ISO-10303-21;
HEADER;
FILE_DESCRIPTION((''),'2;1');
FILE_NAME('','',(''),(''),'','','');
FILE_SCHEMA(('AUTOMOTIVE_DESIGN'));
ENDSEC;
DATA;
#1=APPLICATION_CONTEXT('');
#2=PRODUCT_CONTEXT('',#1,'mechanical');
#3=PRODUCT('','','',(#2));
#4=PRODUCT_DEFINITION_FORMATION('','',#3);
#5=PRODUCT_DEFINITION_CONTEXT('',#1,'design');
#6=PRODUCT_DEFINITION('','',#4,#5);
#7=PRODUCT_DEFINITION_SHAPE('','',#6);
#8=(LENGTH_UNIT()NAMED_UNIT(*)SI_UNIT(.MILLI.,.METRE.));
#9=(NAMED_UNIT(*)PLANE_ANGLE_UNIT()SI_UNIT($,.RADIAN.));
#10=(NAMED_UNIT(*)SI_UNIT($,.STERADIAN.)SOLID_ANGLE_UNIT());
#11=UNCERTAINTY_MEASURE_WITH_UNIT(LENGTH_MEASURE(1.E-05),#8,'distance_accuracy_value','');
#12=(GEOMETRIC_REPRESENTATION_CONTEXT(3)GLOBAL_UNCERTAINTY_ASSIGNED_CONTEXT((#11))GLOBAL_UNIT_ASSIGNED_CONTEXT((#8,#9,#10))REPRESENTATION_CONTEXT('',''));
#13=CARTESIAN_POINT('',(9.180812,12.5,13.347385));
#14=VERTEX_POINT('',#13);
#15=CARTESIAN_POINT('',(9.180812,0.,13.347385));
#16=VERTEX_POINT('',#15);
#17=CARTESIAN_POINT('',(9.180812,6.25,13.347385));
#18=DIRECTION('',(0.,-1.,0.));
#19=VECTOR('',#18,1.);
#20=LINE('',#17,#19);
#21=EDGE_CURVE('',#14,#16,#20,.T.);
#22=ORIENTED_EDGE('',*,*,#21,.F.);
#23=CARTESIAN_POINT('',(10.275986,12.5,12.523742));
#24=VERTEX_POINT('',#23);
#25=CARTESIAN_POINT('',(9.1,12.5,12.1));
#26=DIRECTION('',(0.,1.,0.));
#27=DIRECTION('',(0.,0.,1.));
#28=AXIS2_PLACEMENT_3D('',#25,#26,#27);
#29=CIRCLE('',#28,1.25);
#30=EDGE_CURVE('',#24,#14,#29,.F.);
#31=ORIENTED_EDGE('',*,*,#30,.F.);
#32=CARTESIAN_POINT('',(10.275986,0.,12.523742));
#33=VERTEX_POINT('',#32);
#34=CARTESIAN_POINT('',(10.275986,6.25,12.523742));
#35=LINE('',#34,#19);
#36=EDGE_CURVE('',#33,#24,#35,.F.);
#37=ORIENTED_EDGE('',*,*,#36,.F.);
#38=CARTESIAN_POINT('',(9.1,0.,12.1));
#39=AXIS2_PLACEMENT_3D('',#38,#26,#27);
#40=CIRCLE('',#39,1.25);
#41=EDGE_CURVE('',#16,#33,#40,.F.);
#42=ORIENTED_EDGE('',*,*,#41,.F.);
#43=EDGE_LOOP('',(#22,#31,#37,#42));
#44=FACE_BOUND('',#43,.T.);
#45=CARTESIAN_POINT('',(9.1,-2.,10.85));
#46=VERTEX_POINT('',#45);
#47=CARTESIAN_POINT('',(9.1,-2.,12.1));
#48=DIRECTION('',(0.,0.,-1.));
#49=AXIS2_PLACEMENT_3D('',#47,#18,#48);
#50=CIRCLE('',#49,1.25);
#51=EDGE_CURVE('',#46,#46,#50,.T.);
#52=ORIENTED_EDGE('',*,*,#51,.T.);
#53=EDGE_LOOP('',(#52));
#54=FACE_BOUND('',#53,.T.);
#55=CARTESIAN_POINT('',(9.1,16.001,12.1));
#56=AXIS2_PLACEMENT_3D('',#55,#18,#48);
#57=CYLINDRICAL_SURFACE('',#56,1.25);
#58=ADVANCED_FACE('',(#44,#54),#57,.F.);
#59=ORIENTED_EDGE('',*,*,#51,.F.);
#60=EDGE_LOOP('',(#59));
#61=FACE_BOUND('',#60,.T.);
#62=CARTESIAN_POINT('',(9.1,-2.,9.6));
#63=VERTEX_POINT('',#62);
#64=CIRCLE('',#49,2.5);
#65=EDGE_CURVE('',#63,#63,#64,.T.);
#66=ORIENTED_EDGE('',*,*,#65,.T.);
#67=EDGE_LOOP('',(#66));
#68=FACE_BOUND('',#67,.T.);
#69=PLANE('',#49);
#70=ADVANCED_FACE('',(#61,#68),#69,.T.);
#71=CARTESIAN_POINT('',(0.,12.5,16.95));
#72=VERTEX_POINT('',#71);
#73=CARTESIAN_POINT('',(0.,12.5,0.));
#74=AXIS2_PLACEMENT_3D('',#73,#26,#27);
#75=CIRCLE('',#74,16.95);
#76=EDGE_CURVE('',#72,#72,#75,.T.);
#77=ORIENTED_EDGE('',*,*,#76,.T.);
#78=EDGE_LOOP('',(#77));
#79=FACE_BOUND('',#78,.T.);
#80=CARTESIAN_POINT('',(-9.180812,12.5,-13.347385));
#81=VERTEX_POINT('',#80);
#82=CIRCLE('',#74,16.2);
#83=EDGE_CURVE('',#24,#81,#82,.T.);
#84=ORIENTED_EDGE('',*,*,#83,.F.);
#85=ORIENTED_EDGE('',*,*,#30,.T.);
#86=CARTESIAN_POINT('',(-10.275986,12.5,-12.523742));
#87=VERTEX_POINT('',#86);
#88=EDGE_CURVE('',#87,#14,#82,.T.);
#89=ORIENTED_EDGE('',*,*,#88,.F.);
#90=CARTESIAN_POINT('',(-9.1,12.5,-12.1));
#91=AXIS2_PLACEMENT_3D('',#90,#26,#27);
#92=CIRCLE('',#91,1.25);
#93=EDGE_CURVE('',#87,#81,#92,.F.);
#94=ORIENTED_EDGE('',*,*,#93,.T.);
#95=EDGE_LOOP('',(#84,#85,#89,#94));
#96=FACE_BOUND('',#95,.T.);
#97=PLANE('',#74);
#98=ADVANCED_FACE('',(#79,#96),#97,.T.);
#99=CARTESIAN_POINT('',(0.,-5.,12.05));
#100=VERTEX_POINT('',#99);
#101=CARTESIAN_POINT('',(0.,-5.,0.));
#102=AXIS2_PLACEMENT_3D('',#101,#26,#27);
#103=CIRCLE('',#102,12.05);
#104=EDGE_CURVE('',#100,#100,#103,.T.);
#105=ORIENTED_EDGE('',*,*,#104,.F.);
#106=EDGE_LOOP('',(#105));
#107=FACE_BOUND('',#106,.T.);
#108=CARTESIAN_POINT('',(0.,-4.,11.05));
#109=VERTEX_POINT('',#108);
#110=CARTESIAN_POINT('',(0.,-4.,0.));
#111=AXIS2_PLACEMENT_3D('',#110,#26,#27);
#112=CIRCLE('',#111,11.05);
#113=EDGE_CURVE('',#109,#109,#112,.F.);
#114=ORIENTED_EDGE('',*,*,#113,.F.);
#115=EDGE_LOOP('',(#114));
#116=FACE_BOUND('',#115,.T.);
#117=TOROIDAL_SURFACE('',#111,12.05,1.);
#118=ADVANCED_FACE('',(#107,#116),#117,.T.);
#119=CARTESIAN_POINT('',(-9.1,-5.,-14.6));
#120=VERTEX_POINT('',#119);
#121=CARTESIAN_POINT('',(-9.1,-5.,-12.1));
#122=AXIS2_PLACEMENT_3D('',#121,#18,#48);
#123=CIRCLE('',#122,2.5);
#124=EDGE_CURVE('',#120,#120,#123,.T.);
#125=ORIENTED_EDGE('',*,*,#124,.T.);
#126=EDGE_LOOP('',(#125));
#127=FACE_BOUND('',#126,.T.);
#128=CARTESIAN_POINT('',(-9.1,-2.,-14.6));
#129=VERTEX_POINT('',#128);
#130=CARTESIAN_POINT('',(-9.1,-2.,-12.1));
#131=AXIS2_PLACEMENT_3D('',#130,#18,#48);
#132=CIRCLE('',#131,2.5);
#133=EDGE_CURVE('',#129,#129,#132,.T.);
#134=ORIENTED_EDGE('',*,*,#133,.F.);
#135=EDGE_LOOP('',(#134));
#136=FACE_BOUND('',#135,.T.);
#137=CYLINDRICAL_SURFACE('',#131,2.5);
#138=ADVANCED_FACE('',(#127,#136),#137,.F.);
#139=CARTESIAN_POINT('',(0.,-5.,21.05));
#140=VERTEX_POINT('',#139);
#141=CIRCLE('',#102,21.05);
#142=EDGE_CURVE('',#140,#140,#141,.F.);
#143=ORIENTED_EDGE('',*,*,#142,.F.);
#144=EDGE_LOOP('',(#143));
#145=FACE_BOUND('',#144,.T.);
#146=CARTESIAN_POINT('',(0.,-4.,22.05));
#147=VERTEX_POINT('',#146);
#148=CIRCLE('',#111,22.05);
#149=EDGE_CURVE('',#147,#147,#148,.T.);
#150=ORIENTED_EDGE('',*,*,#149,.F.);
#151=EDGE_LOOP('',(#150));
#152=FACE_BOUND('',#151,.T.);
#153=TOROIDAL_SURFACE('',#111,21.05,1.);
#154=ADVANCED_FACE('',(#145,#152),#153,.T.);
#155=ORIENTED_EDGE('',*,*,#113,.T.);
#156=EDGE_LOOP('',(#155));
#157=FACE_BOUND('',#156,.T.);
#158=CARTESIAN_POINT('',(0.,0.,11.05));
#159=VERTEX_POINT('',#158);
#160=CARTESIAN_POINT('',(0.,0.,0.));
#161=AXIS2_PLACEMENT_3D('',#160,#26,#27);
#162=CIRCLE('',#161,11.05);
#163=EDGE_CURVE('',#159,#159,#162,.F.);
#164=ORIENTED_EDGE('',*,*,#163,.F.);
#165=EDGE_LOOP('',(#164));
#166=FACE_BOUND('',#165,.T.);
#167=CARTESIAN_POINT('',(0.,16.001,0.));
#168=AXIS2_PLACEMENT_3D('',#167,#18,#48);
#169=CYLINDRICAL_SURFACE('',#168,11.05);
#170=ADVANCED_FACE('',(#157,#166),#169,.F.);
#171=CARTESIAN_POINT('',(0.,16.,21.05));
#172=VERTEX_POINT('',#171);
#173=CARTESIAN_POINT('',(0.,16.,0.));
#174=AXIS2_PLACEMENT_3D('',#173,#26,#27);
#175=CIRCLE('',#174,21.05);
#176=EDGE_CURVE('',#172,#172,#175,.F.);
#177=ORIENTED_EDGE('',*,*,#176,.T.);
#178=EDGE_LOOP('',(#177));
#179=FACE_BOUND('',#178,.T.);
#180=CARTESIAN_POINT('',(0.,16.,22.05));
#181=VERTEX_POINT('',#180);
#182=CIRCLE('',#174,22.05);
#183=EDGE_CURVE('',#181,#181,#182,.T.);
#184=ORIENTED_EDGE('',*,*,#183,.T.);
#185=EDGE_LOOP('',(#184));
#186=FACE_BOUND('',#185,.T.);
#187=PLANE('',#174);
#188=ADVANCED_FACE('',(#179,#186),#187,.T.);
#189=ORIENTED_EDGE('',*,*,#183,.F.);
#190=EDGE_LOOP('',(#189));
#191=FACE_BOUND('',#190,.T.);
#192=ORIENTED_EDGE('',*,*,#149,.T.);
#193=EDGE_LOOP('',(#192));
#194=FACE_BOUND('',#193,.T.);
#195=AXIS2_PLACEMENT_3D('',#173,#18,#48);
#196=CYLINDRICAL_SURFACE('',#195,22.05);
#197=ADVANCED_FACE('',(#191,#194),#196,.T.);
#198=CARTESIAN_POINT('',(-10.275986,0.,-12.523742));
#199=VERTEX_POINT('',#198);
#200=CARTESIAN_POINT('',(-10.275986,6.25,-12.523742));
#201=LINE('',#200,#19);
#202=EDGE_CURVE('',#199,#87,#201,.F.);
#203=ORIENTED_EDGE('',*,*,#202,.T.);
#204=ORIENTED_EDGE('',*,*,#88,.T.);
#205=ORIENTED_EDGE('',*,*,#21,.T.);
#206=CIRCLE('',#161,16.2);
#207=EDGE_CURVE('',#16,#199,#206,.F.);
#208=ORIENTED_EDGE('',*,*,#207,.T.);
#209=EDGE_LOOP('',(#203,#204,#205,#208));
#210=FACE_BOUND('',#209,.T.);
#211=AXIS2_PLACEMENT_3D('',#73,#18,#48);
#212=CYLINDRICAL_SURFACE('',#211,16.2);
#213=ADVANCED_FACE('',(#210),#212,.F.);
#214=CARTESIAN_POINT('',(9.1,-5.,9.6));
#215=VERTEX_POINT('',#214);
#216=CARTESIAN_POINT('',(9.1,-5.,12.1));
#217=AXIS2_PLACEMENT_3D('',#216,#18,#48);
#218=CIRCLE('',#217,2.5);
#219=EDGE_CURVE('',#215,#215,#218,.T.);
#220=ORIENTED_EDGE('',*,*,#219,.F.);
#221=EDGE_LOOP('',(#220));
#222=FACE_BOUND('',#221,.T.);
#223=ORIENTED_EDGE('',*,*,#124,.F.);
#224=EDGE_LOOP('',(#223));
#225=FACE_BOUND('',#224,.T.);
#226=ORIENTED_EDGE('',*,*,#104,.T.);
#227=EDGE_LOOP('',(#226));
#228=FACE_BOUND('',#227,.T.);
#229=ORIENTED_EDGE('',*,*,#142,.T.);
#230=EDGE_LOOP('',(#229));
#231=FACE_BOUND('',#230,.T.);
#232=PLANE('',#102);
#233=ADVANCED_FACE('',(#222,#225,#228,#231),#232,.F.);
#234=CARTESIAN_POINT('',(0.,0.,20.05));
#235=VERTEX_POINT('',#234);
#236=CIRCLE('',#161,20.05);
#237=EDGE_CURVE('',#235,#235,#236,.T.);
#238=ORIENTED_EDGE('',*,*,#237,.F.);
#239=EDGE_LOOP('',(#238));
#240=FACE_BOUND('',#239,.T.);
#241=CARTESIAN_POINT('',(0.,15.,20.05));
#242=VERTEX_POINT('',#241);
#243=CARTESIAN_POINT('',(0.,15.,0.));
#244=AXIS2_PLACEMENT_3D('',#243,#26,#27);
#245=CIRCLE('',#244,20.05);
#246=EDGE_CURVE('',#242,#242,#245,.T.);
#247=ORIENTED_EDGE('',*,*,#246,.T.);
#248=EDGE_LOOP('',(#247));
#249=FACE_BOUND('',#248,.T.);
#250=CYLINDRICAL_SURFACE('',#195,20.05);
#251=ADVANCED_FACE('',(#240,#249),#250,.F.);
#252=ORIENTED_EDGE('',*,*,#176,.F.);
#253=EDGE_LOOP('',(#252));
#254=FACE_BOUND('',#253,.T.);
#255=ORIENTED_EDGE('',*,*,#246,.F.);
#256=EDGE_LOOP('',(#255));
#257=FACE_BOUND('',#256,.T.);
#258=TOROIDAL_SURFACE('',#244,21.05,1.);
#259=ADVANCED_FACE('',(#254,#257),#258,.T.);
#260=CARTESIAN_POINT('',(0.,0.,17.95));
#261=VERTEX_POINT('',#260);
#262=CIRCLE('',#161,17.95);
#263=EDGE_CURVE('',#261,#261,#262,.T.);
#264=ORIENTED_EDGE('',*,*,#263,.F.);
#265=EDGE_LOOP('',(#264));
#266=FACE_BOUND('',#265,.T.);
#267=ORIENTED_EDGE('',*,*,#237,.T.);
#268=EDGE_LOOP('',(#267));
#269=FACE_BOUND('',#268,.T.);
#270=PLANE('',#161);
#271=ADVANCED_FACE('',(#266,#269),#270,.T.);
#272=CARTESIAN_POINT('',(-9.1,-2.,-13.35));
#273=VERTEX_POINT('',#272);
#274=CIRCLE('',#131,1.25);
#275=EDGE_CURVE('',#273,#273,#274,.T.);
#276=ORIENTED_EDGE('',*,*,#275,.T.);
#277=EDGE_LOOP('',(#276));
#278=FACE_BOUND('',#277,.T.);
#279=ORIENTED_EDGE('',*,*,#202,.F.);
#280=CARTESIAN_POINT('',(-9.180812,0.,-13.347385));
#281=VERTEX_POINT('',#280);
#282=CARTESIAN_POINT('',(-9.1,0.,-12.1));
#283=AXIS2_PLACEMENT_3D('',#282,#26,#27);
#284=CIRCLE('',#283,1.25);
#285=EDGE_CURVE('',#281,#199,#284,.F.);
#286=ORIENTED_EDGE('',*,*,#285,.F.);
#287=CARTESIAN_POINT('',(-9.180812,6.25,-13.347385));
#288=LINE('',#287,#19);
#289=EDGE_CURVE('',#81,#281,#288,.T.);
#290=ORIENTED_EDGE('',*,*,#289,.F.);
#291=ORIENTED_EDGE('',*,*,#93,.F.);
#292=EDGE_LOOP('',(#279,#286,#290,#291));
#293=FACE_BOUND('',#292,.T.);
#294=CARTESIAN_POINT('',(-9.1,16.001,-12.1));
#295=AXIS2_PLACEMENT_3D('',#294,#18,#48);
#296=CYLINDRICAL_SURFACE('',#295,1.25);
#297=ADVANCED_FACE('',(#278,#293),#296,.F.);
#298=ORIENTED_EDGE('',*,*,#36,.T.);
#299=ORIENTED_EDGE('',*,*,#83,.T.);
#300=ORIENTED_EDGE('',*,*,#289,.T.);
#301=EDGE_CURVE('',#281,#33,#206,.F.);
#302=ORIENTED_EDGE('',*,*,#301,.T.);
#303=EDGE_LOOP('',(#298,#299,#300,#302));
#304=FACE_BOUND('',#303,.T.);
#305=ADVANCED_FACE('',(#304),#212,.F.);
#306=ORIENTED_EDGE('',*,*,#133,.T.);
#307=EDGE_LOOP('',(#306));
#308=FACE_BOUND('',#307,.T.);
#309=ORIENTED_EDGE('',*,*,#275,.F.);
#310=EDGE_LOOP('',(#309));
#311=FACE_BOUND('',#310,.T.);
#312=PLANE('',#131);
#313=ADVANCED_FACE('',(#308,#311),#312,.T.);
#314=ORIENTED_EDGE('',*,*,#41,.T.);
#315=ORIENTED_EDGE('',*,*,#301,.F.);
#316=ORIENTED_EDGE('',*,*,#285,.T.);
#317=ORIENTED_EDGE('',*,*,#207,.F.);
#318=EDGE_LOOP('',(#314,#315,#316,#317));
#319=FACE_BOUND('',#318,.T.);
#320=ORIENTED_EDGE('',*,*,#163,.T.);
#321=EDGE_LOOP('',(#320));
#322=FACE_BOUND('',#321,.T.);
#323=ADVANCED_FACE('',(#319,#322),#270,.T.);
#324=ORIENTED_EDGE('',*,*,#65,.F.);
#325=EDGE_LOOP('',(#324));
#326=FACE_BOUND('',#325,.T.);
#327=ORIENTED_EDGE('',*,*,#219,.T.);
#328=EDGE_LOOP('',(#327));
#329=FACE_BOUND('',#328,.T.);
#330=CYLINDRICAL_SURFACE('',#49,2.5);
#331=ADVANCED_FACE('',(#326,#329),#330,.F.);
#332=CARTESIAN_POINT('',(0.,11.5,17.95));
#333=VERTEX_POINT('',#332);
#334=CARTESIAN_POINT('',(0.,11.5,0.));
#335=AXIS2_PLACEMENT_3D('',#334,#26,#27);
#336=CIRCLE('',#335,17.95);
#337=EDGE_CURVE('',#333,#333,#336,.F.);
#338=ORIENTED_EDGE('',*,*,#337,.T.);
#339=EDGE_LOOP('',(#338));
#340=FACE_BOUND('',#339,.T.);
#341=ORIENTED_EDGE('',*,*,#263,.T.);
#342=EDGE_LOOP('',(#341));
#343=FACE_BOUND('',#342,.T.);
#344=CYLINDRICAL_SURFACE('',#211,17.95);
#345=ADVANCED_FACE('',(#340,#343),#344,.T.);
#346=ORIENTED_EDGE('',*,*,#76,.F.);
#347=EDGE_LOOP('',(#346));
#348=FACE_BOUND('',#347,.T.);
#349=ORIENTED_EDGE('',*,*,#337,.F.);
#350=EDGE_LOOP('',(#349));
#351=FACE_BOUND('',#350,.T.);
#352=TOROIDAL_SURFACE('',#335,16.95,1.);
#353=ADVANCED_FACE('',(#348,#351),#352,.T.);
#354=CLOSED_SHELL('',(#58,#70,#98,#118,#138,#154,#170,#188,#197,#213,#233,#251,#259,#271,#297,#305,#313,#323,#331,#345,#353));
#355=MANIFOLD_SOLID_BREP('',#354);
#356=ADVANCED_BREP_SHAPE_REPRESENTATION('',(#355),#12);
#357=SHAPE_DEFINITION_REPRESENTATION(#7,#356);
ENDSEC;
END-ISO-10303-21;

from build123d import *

# Parameters (mm, degrees)
CROQUIS1_R              = 22.05
CROQUIS1_R_2            = 20.05
SALIENTE_EXTRUIR1_DEPTH = 16
CROQUIS1_4_R            = 17.95
CROQUIS1_4_R_2          = 16.2
SALIENTE_EXTRUIR2_DEPTH = 12.5
SALIENTE_EXTRUIR4_START = -5
CROQUIS1_6_R            = 22.05
SALIENTE_EXTRUIR4_DEPTH = 5
CORTAR_EXTRUIR1_REACH   = 39.595
CROQUIS4_R              = 11.05
CROQUIS4_R_2            = 1.25
CROQUIS5_R              = 2.5
CROQUIS5_R_2            = 1.25
CORTAR_EXTRUIR2_DEPTH   = 3
REDONDEO1_R             = 1
REDONDEO3_R             = 1
REDONDEO4_R             = 1


with BuildPart() as part:
    # Croquis1 → Saliente-Extruir1 (new body)
    with BuildSketch(Plane(origin=(0, 0, 0), x_dir=(1, 0, 0), z_dir=(0, 1, 0))):
        Circle(CROQUIS1_R)
        Circle(CROQUIS1_R_2, mode=Mode.SUBTRACT)
    extrude(amount=SALIENTE_EXTRUIR1_DEPTH)



with BuildPart() as body_2:
    # Croquis1<4> → Saliente-Extruir2 (new body)
    with BuildSketch(Plane(origin=(0, 0, 0), x_dir=(1, 0, 0), z_dir=(0, 1, 0))):
        Circle(CROQUIS1_4_R)
        Circle(CROQUIS1_4_R_2, mode=Mode.SUBTRACT)
    extrude(amount=SALIENTE_EXTRUIR2_DEPTH)


with BuildPart() as part_1:
    add(part.part)

    add(body_2.part)  # Saliente-Extruir4 merges body 2
    # Croquis1<6> → Saliente-Extruir4 (add)
    with BuildSketch(Plane(origin=(0, 0, 0), x_dir=(1, 0, 0), z_dir=(0, 1, 0)).offset(SALIENTE_EXTRUIR4_START)):
        Circle(CROQUIS1_6_R)
    extrude(amount=SALIENTE_EXTRUIR4_DEPTH)

    # Croquis4 → Cortar-Extruir1 (cut, up to next)
    with BuildSketch(Plane.XZ.offset(5), mode=Mode.PRIVATE) as cortar_extruir1_sk1:
        Circle(CROQUIS4_R)
    cortar_extruir1_tool1 = extrude(cortar_extruir1_sk1.sketch, amount=-CORTAR_EXTRUIR1_REACH, mode=Mode.PRIVATE) & part_1.part
    # Croquis4 → Cortar-Extruir1 (cut, up to next)
    with BuildSketch(Plane.XZ.offset(5), mode=Mode.PRIVATE) as cortar_extruir1_sk2:
        with Locations((9.1, 12.1)):
            Circle(CROQUIS4_R_2)
    cortar_extruir1_tool2 = extrude(cortar_extruir1_sk2.sketch, amount=-CORTAR_EXTRUIR1_REACH, mode=Mode.PRIVATE) & part_1.part
    # Croquis4 → Cortar-Extruir1 (cut, up to next)
    with BuildSketch(Plane.XZ.offset(5), mode=Mode.PRIVATE) as cortar_extruir1_sk3:
        with Locations((-9.1, -12.1)):
            Circle(CROQUIS4_R_2)
    cortar_extruir1_tool3 = extrude(cortar_extruir1_sk3.sketch, amount=-CORTAR_EXTRUIR1_REACH, mode=Mode.PRIVATE) & part_1.part
    add(cortar_extruir1_tool1.solids().sort_by_distance((0, -5, 0))[0], mode=Mode.SUBTRACT)
    add(cortar_extruir1_tool2.solids().sort_by_distance((9.1, -5, 12.1))[0], mode=Mode.SUBTRACT)
    add(cortar_extruir1_tool3.solids().sort_by_distance((-9.1, -5, -12.1))[0], mode=Mode.SUBTRACT)

    # Croquis5 → Cortar-Extruir2 (cut)
    # profile 1 of 2: a face of its own
    with BuildSketch(Plane.XZ.offset(5)):
        with Locations((9.1, 12.1)):
            Circle(CROQUIS5_R)
        with Locations((9.1, 12.1)):
            Circle(CROQUIS5_R_2, mode=Mode.SUBTRACT)
    # profile 2 of 2: a face of its own
    with BuildSketch(Plane.XZ.offset(5)):
        with Locations((-9.1, -12.1)):
            Circle(CROQUIS5_R)
        with Locations((-9.1, -12.1)):
            Circle(CROQUIS5_R_2, mode=Mode.SUBTRACT)
    extrude(amount=-CORTAR_EXTRUIR2_DEPTH, mode=Mode.SUBTRACT)

    # Redondeo1
    redondeo1_edges = [part_1.edges().sort_by_distance(p)[0] for p in [
        (-11.05, -5, 0),
    ]]
    fillet(redondeo1_edges, radius=REDONDEO1_R)

    # Redondeo3
    redondeo3_edges = [part_1.edges().sort_by_distance(p)[0] for p in [
        (-22.05, -5, 0),
    ]]
    fillet(redondeo3_edges, radius=REDONDEO3_R)

    # Redondeo4
    redondeo4_edges = [part_1.edges().sort_by_distance(p)[0] for p in [
        (-20.05, 16, 0),
        (-17.95, 12.5, 0),
    ]]
    fillet(redondeo4_edges, radius=REDONDEO4_R)


solid = part_1.part
